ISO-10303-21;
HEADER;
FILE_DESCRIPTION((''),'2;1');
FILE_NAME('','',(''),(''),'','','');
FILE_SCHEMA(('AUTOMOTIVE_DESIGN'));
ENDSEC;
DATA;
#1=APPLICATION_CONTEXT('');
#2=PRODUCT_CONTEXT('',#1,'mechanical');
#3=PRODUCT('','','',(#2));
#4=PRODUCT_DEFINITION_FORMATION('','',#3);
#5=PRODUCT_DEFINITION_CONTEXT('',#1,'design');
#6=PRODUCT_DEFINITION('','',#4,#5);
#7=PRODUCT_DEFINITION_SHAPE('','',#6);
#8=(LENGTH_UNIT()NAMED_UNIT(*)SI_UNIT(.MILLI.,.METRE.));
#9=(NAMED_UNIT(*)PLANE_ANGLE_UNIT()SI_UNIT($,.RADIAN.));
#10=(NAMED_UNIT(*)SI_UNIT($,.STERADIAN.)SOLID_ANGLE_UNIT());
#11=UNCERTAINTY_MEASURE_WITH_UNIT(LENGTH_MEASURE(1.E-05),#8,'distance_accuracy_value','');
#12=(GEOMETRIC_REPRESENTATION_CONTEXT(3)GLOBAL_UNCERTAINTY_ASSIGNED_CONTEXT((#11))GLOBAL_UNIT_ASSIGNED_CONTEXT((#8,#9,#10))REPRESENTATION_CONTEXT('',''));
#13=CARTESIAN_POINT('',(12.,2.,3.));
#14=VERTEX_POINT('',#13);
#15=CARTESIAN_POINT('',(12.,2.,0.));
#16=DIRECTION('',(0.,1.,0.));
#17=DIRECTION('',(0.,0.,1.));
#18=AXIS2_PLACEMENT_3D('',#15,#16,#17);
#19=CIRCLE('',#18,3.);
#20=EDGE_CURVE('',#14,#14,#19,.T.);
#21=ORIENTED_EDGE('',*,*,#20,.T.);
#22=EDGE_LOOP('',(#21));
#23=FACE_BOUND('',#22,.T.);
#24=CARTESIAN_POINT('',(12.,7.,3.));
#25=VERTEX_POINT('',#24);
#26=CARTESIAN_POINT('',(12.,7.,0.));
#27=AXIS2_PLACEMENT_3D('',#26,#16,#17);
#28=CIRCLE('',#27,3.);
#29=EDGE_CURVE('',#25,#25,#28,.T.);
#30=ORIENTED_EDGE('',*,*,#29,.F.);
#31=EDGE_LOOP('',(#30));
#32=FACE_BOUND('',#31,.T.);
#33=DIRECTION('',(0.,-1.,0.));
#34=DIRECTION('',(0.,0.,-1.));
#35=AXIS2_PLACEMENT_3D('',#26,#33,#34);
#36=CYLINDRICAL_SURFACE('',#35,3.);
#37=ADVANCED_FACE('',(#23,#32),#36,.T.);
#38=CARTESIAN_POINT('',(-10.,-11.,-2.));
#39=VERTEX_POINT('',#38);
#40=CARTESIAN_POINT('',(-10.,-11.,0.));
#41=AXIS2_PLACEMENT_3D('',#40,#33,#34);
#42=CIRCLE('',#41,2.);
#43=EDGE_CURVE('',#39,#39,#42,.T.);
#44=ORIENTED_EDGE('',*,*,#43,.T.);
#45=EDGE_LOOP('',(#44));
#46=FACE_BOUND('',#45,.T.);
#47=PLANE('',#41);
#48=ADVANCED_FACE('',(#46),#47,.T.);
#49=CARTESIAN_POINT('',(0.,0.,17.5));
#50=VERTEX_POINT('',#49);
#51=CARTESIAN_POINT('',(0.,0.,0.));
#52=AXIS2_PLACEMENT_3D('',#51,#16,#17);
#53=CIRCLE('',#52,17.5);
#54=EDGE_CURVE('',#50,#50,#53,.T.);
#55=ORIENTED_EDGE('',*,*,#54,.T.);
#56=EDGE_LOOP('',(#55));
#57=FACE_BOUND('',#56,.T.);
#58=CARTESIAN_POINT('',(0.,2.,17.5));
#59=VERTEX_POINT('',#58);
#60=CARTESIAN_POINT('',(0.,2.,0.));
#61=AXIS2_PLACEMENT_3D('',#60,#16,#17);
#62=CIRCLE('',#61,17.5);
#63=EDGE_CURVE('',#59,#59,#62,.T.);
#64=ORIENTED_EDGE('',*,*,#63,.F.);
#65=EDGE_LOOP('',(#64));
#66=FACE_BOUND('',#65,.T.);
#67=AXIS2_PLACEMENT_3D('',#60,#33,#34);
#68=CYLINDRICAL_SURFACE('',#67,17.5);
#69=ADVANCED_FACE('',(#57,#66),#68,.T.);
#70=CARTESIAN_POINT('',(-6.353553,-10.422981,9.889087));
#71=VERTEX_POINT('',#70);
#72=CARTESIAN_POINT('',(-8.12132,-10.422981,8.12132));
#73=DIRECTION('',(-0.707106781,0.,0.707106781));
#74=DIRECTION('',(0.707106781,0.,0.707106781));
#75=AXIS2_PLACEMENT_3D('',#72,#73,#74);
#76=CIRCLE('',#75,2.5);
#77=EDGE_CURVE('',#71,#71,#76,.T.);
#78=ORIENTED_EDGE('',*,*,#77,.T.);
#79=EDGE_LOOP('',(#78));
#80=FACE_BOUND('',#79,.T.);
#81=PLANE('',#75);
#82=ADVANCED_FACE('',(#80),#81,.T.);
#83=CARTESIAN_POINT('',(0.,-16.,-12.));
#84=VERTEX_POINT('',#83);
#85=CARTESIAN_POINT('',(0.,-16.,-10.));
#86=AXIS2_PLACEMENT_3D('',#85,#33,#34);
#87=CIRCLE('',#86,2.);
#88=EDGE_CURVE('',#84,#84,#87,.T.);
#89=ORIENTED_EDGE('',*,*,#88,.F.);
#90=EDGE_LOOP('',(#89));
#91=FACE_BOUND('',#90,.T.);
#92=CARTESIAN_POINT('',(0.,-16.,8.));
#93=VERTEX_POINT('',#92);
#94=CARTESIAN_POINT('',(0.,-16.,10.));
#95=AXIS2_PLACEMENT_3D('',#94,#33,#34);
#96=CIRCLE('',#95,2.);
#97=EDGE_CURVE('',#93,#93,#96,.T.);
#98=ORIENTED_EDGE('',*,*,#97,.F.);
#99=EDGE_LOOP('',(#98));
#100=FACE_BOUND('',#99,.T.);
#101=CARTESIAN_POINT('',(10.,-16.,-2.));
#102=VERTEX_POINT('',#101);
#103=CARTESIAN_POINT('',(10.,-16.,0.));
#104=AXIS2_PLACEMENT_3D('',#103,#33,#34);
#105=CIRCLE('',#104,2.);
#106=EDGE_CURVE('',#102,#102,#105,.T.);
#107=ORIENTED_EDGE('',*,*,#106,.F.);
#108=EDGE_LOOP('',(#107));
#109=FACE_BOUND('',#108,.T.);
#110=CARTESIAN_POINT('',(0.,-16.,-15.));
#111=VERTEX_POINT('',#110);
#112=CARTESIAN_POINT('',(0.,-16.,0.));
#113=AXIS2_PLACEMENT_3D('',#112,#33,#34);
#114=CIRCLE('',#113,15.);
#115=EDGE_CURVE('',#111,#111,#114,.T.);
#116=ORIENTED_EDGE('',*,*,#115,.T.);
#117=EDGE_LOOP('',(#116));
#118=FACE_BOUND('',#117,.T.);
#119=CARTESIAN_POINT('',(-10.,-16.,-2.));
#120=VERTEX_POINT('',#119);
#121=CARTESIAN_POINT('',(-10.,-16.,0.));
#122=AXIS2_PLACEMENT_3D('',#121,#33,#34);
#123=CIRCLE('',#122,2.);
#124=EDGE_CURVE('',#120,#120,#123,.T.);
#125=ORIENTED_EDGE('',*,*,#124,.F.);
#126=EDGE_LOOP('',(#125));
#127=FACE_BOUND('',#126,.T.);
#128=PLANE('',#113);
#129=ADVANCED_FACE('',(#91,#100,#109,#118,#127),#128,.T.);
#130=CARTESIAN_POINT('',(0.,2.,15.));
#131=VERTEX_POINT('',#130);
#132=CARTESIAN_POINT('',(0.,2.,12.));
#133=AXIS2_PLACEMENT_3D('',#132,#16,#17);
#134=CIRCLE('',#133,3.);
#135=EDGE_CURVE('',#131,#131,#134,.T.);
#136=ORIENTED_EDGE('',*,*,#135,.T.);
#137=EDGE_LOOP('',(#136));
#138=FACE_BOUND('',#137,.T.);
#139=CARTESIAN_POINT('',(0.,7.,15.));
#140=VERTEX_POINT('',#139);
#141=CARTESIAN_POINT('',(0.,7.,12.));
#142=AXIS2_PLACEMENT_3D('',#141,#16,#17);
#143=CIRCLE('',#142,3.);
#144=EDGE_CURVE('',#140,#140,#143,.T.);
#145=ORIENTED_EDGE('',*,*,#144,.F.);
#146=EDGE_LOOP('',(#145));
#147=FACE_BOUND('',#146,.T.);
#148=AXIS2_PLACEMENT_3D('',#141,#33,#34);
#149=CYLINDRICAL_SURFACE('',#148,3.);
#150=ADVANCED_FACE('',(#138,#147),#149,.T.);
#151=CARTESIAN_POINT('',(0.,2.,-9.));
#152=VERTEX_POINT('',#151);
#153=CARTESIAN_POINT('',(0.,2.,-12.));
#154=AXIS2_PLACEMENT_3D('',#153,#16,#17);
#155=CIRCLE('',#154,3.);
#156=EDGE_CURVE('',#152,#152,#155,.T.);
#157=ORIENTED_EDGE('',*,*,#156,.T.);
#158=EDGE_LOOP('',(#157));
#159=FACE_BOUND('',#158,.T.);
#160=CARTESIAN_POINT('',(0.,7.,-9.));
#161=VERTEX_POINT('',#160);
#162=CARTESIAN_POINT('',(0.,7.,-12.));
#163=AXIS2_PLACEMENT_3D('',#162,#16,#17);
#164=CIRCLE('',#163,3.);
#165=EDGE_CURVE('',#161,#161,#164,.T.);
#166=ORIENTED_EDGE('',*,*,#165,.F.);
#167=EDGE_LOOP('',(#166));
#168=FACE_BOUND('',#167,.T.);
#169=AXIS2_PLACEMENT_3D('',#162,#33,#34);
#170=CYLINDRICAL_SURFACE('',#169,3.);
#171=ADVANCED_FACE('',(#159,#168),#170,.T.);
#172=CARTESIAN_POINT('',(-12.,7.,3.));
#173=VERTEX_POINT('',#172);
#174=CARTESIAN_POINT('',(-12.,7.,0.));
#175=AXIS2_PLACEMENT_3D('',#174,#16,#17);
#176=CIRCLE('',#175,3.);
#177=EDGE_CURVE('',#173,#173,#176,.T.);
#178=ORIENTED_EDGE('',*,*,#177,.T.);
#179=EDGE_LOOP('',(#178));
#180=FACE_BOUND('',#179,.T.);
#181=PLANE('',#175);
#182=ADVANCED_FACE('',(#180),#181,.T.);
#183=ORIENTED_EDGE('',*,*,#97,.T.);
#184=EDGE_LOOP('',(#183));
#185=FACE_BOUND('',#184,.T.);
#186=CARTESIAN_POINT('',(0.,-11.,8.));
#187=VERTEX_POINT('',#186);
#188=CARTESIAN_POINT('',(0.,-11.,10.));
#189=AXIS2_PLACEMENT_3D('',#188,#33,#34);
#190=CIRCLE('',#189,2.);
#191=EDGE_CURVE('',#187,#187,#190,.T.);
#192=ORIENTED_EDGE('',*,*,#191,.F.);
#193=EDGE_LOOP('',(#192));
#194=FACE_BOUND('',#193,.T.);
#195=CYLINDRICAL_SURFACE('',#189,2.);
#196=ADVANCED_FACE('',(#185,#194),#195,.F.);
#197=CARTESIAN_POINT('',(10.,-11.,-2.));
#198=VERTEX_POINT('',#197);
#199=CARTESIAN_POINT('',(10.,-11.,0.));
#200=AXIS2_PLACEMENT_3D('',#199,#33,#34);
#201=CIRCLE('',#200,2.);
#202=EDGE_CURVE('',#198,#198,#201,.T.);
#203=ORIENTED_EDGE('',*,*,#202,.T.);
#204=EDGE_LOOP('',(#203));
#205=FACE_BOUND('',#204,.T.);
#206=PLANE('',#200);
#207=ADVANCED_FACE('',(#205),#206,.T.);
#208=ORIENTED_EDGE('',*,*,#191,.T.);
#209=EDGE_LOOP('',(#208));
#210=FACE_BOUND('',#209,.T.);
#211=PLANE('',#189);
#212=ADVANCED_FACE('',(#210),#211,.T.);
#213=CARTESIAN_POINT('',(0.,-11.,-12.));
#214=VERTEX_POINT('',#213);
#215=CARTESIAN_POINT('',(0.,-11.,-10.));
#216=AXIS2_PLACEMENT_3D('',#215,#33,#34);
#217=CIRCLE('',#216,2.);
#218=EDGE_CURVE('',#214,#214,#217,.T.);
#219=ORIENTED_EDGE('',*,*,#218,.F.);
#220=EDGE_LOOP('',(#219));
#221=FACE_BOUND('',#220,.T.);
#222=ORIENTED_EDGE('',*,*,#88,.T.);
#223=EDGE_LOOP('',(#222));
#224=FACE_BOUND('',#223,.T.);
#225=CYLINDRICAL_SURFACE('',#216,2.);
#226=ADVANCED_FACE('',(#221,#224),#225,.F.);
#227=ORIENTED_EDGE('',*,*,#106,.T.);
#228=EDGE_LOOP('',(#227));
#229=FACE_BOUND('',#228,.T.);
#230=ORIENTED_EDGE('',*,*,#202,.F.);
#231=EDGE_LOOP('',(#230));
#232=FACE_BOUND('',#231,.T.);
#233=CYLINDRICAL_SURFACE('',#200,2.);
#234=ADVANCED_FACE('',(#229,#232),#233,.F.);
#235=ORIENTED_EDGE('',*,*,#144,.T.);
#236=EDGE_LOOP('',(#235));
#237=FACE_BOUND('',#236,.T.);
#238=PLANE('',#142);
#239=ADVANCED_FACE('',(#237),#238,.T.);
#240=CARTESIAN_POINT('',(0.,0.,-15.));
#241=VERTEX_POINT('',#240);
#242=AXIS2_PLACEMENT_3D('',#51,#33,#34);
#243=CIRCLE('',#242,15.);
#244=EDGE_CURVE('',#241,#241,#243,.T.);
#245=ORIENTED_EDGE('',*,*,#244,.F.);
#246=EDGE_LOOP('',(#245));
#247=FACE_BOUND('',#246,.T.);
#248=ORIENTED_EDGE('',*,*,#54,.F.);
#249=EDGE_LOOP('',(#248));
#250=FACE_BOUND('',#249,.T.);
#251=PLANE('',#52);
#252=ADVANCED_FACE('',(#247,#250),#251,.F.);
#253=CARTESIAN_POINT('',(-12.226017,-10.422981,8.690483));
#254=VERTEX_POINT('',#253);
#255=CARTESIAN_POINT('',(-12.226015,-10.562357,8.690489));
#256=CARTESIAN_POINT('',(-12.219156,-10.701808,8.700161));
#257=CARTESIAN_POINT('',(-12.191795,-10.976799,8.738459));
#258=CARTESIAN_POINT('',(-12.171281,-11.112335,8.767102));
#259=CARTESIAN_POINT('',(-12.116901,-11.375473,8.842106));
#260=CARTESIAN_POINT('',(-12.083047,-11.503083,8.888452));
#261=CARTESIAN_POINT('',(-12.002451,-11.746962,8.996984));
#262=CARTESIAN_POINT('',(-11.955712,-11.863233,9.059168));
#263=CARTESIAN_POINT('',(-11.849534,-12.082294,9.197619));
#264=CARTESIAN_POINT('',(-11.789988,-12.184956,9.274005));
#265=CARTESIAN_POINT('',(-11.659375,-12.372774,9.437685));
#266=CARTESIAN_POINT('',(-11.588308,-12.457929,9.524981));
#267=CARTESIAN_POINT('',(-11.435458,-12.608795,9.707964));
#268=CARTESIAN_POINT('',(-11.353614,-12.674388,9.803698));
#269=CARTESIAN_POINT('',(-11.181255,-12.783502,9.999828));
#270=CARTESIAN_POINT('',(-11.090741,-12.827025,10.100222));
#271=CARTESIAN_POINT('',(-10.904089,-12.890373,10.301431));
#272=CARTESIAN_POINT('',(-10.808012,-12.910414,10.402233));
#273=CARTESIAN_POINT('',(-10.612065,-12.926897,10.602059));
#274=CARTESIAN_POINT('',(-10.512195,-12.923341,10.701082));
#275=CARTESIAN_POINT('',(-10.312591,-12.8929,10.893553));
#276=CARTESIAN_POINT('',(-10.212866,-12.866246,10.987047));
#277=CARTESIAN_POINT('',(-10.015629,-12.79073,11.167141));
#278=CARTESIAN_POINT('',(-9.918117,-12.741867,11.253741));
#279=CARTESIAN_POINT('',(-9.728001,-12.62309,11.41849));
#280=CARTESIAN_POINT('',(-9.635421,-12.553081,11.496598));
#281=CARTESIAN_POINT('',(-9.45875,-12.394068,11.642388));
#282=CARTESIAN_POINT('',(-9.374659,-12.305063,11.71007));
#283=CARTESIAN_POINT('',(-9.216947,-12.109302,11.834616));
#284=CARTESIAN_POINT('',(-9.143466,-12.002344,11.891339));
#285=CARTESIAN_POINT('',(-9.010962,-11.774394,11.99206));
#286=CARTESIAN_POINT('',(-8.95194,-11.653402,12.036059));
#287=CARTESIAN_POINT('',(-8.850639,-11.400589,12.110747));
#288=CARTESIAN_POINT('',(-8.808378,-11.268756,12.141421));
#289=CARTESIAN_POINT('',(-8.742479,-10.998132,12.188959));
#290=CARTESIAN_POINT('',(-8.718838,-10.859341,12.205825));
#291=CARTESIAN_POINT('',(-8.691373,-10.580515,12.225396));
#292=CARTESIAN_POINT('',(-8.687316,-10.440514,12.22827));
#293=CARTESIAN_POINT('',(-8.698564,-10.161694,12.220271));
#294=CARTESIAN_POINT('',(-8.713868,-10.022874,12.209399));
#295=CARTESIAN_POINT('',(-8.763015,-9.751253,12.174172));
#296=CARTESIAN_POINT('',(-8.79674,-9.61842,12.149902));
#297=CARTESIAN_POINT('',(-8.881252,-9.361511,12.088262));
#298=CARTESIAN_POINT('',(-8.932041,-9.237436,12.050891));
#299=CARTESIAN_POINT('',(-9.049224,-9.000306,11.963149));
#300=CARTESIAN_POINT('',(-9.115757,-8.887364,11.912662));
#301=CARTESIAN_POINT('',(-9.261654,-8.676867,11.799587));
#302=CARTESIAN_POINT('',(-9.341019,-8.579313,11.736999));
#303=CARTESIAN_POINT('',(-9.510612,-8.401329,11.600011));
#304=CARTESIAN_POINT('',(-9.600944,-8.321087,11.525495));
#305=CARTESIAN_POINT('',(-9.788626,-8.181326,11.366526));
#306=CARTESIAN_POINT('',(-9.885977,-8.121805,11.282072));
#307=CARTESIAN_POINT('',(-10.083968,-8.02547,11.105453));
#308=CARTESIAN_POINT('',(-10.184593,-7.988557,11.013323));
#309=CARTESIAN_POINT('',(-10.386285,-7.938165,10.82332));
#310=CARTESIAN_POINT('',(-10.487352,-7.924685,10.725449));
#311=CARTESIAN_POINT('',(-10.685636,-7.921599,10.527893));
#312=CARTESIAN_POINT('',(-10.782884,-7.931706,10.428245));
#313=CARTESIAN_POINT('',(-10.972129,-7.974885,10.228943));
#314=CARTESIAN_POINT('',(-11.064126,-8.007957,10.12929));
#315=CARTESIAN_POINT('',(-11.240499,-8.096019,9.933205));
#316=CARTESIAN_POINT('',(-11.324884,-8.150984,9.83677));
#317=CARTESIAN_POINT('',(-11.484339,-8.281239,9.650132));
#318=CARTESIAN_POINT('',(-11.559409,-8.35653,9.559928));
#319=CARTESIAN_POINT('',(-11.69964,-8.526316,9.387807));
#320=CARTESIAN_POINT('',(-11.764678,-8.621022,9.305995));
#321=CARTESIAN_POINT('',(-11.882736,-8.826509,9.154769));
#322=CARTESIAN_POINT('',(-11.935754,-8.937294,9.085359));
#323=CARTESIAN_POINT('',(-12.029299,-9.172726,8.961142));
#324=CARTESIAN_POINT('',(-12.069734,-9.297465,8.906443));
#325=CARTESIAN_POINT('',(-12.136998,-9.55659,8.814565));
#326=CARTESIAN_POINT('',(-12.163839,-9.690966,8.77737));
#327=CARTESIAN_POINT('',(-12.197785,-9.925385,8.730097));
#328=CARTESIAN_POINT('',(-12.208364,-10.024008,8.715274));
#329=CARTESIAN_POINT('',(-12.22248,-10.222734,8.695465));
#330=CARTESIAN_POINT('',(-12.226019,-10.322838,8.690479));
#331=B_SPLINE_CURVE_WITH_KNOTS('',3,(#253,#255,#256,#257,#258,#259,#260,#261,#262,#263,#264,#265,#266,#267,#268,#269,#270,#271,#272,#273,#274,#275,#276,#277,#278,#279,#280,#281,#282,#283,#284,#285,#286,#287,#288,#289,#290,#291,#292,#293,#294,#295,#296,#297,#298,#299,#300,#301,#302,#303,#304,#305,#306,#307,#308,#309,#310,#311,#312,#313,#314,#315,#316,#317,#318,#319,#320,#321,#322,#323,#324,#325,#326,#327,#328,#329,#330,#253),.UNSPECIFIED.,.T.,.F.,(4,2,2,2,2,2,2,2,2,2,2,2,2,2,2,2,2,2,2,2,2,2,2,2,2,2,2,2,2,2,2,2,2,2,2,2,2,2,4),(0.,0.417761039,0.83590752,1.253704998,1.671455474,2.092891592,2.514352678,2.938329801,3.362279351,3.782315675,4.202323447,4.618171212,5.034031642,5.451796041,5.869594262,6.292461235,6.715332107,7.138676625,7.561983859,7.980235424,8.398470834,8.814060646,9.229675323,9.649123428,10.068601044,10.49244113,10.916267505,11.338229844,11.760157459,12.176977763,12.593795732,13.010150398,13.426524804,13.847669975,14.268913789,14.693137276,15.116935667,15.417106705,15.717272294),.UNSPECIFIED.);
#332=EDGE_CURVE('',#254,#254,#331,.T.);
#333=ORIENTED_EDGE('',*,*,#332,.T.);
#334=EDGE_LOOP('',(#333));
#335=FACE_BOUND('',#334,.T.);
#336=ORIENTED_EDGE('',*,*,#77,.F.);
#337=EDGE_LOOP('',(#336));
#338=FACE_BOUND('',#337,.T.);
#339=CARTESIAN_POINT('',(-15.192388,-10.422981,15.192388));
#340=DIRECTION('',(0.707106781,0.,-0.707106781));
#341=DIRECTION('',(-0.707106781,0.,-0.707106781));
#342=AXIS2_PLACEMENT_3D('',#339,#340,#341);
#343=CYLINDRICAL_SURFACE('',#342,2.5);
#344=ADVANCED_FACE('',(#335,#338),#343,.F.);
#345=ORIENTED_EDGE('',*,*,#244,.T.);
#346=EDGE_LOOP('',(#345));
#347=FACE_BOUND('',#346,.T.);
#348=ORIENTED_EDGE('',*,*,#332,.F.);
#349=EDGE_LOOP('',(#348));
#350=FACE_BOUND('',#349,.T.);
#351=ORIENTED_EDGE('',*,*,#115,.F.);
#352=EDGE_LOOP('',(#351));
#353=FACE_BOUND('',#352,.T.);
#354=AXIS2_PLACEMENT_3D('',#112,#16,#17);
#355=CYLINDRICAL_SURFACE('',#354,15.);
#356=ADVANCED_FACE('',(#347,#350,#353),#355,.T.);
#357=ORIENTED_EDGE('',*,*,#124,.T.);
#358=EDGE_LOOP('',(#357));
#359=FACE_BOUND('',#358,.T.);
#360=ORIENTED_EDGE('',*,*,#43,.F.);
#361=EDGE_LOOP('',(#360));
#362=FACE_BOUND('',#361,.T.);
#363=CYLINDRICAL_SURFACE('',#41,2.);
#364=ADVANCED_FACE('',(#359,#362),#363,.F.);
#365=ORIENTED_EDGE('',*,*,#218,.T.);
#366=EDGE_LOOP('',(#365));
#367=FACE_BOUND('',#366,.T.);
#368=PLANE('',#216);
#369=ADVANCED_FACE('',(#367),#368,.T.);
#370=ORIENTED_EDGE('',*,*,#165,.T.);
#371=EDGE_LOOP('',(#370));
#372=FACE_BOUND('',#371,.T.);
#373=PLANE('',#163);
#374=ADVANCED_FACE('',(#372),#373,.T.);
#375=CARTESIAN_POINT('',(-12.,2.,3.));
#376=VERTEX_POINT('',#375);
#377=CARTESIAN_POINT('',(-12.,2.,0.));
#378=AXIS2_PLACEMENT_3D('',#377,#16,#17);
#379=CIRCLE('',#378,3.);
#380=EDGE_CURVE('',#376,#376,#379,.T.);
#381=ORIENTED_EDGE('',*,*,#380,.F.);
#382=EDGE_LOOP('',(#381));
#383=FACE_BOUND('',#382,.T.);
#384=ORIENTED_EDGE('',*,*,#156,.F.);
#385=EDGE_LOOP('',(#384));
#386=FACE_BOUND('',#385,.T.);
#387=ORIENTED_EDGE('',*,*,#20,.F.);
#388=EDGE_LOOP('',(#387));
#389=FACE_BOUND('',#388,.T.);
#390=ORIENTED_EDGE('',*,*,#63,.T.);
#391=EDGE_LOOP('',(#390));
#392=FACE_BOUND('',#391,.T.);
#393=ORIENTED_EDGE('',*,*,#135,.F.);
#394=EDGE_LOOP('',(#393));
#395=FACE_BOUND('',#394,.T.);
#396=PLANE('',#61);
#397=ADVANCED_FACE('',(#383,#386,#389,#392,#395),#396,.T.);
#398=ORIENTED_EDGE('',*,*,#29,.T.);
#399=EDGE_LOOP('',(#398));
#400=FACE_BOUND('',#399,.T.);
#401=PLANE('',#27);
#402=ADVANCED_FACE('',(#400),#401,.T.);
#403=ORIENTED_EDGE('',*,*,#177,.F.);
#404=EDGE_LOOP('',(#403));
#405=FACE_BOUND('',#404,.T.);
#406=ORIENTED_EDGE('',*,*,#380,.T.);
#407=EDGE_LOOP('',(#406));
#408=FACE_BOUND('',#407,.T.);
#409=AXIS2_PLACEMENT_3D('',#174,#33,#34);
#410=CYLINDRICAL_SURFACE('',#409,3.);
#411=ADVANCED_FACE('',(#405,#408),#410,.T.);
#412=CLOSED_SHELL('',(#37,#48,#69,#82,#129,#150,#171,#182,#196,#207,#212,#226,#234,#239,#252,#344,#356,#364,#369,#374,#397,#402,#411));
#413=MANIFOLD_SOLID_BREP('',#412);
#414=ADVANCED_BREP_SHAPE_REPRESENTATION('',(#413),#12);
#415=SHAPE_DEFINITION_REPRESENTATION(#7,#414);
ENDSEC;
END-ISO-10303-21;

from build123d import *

# Parameters (mm, degrees)
SKETCH1_R           = 17.5
BOSS_EXTRUDE1_DEPTH = 2
SKETCH2_R           = 3
BOSS_EXTRUDE2_DEPTH = 5
SKETCH3_R           = 15
BOSS_EXTRUDE3_DEPTH = 16
SKETCH4_R           = 2
CUT_EXTRUDE1_DEPTH  = 5
SKETCH5_R           = 2.5
CUT_EXTRUDE2_DEPTH  = 10


with BuildPart() as part:
    # Sketch1 → Boss-Extrude1 (new body)
    with BuildSketch(Plane(origin=(0, 0, 0), x_dir=(1, 0, 0), z_dir=(0, 1, 0))):
        with Locations(Location((0, 0, 0), (0, 0, 270))):
            Circle(SKETCH1_R)
    extrude(amount=BOSS_EXTRUDE1_DEPTH)

    # Sketch2 → Boss-Extrude2 (add)
    with BuildSketch(Plane(origin=(0, 2, 0), x_dir=(1, 0, 0), z_dir=(0, 1, 0))):
        with Locations(Location((12, 0, 0), (0, 0, 270))):
            Circle(SKETCH2_R)
        with Locations(Location((0, -12, 0), (0, 0, 270))):
            Circle(SKETCH2_R)
        with Locations(Location((-12, 0, 0), (0, 0, 270))):
            Circle(SKETCH2_R)
        with Locations(Location((0, 12, 0), (0, 0, 270))):
            Circle(SKETCH2_R)
    extrude(amount=BOSS_EXTRUDE2_DEPTH)

    # Sketch3 → Boss-Extrude3 (add)
    with BuildSketch(Plane.XZ):
        with Locations(Location((0, 0, 0), (0, 0, 270))):
            Circle(SKETCH3_R)
    extrude(amount=BOSS_EXTRUDE3_DEPTH)

    # Sketch4 → Cut-Extrude1 (cut)
    with BuildSketch(Plane.XZ.offset(16)):
        with Locations(Location((-10, 0, 0), (0, 0, 270))):
            Circle(SKETCH4_R)
        with Locations(Location((0, 10, 0), (0, 0, 270))):
            Circle(SKETCH4_R)
        with Locations(Location((10, 0, 0), (0, 0, 270))):
            Circle(SKETCH4_R)
        with Locations(Location((0, -10, 0), (0, 0, 270))):
            Circle(SKETCH4_R)
    extrude(amount=-CUT_EXTRUDE1_DEPTH, mode=Mode.SUBTRACT)

    # Sketch5 → Cut-Extrude2 (cut)
    with BuildSketch(Plane(origin=(-8.121320344, 0, 8.121320344), x_dir=(0.7071067811865439, 0, 0.7071067811865512), z_dir=(-0.7071067811865512, 0, 0.7071067811865439))):
        with Locations(Location((0, -10.42298086, 0), (0, 0, 180))):
            Circle(SKETCH5_R)
    extrude(amount=CUT_EXTRUDE2_DEPTH, mode=Mode.SUBTRACT)


solid = part.part
